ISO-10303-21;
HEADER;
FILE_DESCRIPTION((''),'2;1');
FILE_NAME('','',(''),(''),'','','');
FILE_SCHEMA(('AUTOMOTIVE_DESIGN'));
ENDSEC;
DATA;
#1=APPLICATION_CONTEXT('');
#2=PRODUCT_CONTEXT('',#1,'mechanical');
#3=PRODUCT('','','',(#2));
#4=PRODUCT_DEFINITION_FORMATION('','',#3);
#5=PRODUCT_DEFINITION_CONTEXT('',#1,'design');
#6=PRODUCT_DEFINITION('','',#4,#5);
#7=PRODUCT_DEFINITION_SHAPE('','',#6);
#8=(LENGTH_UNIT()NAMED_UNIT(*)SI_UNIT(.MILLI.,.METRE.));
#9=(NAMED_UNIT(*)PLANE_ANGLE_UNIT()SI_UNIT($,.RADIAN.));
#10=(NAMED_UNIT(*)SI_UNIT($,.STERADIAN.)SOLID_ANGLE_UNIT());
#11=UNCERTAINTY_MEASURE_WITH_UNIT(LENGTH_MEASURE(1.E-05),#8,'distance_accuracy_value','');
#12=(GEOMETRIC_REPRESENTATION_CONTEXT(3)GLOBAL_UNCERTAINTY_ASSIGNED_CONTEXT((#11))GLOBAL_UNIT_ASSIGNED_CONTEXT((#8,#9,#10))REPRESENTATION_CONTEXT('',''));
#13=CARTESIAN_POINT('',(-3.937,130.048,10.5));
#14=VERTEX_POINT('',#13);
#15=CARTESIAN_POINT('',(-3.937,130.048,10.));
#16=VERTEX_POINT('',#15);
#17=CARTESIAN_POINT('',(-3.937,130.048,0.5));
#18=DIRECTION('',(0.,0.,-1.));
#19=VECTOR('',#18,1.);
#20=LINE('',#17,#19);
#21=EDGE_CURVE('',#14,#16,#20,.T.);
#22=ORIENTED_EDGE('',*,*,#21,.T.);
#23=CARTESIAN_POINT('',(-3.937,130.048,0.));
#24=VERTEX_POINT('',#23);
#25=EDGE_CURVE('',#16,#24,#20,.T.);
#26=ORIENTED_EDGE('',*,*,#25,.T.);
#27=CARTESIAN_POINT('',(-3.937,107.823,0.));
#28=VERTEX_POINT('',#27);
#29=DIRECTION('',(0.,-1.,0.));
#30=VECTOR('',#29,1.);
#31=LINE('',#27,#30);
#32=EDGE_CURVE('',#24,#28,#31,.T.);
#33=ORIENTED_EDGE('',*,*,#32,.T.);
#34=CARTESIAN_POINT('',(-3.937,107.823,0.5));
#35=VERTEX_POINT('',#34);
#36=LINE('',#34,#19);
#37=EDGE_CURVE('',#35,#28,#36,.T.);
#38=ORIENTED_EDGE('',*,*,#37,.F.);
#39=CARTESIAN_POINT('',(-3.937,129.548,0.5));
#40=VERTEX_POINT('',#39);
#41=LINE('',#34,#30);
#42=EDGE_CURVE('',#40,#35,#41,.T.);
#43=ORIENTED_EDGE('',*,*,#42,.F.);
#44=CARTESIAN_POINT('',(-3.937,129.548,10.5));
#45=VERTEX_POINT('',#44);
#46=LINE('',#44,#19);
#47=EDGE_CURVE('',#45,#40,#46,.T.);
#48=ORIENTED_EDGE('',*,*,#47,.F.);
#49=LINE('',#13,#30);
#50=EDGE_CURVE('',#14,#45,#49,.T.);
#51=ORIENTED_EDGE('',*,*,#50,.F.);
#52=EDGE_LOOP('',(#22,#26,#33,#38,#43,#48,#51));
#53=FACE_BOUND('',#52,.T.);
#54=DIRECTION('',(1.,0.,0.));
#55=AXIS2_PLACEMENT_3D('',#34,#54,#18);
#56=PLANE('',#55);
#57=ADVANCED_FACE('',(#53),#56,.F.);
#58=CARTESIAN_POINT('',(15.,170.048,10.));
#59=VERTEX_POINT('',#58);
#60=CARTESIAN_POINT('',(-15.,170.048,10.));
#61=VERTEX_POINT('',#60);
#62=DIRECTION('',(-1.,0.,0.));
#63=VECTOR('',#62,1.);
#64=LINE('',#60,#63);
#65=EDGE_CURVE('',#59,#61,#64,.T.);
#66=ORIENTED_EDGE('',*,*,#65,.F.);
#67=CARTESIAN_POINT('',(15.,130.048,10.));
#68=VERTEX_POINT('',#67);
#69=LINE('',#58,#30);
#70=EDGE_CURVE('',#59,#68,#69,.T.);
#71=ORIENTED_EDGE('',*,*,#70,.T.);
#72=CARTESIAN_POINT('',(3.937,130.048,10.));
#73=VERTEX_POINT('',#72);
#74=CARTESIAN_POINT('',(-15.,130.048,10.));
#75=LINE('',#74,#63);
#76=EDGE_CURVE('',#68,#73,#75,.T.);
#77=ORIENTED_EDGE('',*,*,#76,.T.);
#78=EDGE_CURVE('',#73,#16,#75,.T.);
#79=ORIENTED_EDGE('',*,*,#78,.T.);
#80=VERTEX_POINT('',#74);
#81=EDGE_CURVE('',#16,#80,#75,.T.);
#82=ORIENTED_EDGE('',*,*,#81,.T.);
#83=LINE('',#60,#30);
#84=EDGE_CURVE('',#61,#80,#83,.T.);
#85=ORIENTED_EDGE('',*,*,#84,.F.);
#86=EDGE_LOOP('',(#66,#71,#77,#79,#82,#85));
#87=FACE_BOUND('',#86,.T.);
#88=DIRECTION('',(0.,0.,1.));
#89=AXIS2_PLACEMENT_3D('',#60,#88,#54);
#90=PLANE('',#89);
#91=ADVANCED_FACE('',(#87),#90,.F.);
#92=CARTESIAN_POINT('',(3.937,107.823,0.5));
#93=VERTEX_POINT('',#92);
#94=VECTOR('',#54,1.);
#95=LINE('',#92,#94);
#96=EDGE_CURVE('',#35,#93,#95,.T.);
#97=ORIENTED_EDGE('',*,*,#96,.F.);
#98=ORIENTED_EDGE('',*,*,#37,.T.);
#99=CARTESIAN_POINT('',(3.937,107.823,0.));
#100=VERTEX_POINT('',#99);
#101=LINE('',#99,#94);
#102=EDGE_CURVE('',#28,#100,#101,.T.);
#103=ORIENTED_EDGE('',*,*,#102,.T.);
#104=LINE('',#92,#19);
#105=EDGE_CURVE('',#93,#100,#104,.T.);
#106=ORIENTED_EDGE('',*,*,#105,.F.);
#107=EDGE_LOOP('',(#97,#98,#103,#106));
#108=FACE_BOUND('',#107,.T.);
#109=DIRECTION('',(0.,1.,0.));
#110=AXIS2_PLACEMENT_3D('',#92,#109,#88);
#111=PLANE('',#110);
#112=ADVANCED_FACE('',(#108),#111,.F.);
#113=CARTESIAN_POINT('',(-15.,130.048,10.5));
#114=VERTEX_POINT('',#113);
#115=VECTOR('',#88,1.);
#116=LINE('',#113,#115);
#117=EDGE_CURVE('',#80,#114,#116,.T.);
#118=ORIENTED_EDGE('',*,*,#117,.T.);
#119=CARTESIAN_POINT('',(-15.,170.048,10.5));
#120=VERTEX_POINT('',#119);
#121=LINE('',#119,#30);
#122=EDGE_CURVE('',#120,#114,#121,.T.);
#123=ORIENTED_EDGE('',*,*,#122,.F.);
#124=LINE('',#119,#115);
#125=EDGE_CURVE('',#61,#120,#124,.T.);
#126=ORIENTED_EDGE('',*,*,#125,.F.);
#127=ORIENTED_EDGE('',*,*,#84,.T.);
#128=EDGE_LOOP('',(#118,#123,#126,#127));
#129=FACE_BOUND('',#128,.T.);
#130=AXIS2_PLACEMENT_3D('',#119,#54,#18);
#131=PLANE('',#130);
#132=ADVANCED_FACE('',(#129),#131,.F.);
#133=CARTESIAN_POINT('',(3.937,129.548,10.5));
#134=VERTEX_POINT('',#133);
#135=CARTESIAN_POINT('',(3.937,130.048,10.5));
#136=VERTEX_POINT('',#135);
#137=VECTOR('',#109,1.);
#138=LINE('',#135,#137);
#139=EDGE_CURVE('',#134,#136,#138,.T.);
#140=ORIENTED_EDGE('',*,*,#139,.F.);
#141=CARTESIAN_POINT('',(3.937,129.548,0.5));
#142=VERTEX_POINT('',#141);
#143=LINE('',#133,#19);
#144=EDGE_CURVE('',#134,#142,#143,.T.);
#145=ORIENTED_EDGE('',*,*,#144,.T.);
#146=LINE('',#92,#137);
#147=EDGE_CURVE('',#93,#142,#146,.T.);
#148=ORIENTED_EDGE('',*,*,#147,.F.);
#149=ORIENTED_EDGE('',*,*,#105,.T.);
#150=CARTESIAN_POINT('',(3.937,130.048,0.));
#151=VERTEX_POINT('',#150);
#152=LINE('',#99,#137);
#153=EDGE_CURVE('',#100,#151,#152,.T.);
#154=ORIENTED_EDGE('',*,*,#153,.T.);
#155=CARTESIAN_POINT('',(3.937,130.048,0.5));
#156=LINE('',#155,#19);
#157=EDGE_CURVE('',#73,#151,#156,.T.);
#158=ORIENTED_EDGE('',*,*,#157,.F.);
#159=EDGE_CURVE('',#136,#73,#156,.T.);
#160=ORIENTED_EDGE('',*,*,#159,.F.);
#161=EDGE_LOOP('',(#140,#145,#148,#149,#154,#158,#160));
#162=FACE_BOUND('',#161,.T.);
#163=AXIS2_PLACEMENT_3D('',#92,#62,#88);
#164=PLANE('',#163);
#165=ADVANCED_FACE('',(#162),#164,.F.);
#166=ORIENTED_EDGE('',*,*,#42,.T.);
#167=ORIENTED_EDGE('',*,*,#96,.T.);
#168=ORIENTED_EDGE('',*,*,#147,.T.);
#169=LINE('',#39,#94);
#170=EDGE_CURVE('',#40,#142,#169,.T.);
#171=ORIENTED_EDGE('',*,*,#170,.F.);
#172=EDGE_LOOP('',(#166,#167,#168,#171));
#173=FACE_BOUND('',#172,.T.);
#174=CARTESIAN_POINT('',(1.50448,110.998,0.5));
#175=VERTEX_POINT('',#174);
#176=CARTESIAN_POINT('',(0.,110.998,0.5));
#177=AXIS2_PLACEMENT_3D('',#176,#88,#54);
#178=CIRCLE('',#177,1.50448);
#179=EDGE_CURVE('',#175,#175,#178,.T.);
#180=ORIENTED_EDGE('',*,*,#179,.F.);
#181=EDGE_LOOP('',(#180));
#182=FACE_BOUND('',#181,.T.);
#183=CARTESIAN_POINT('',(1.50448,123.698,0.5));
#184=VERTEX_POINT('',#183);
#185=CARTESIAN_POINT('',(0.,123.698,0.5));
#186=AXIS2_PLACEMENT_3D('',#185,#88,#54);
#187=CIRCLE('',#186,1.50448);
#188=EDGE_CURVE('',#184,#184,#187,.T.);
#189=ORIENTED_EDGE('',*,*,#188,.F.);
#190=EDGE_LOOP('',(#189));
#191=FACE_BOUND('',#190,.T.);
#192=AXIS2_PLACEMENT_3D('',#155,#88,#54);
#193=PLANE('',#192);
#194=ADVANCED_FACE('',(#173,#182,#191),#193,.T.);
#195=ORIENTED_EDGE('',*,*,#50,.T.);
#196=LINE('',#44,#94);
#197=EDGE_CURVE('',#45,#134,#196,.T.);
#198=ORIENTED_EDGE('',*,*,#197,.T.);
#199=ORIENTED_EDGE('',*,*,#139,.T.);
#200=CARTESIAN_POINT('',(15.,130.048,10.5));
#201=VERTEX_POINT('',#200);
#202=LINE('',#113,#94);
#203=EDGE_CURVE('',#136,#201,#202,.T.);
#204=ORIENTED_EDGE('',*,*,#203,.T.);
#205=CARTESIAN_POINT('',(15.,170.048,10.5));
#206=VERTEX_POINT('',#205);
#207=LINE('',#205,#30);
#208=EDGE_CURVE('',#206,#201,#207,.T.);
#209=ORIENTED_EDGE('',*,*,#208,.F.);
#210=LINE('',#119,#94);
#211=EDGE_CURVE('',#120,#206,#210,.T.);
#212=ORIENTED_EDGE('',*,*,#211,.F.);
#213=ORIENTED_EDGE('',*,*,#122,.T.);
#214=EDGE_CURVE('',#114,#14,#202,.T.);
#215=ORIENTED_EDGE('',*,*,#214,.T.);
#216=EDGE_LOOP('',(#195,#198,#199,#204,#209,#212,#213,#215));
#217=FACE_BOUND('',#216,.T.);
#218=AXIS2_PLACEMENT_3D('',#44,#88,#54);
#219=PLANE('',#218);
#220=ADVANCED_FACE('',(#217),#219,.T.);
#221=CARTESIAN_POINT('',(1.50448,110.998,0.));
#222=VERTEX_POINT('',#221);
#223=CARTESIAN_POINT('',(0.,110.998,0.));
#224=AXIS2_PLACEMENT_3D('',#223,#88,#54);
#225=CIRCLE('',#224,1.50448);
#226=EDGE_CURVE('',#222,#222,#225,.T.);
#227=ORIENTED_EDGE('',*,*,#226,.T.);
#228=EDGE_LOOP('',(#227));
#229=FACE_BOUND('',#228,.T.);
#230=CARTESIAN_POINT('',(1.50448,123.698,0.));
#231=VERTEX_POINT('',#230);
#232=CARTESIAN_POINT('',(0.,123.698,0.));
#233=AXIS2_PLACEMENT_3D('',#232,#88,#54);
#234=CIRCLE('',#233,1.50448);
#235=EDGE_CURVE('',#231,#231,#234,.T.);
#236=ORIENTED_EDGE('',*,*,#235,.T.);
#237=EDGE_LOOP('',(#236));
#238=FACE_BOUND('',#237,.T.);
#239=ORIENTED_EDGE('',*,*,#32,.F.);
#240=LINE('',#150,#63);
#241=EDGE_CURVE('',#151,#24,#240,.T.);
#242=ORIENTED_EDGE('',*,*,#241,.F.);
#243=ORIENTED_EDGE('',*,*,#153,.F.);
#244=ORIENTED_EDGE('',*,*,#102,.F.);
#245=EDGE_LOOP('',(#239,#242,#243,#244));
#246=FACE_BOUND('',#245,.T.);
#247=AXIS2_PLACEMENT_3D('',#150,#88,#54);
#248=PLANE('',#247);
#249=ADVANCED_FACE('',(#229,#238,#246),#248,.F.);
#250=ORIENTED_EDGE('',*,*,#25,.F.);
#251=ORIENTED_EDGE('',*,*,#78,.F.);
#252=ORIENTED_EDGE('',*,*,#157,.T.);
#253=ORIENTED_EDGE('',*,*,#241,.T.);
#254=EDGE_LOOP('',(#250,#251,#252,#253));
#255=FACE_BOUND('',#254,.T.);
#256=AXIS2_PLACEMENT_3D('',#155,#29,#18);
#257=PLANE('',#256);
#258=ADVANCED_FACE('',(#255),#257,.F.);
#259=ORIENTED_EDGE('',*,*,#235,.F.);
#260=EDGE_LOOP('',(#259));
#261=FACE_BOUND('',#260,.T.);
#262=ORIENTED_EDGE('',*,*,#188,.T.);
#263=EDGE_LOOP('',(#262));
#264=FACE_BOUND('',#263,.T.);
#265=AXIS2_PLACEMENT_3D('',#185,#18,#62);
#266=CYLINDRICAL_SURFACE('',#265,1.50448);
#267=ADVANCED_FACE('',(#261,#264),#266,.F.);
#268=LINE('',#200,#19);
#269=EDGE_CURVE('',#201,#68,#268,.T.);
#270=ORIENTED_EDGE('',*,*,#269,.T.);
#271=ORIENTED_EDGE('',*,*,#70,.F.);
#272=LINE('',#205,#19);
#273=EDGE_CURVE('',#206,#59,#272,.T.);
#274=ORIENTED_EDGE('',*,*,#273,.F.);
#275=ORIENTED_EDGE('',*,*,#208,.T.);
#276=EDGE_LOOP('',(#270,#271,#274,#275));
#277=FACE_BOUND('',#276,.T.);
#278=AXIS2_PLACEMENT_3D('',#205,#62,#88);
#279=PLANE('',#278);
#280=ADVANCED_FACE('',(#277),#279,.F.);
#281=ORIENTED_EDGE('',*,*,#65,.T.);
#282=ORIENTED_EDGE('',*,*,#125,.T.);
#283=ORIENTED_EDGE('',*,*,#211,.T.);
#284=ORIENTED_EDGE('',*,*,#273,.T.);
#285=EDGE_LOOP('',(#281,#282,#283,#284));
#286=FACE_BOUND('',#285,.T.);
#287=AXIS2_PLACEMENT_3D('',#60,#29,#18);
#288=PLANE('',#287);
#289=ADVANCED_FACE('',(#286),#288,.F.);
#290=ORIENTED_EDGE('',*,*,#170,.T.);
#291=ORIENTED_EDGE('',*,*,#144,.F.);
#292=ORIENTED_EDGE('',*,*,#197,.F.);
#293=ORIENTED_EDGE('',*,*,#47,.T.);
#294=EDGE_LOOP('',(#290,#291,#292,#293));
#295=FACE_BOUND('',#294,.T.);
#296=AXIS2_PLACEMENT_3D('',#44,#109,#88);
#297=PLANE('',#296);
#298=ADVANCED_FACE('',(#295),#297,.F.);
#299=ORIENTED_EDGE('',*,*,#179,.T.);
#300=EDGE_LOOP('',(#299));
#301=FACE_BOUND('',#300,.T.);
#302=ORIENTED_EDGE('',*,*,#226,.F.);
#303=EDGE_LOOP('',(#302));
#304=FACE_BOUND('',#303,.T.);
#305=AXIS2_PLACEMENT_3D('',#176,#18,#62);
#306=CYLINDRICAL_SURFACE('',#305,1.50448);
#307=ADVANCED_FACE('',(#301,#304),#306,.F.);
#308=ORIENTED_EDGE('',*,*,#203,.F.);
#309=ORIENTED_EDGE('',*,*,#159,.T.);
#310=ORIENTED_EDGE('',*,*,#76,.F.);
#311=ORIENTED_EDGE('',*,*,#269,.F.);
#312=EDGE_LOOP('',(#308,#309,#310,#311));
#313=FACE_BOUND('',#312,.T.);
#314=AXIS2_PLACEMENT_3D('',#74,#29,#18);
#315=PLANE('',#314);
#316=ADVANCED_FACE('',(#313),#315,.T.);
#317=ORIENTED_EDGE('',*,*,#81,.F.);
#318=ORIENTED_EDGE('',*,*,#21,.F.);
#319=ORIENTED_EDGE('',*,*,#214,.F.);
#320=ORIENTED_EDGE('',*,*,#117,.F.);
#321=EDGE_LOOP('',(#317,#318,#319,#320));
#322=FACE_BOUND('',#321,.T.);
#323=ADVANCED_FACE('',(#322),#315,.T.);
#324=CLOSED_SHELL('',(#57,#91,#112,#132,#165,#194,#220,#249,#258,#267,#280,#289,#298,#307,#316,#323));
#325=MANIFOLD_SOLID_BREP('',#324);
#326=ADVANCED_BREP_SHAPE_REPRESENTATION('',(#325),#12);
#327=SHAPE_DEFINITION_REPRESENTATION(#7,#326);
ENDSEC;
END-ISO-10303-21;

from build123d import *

# Parameters (mm, degrees)
SKETCH1_W           = 7.874
SKETCH1_H           = 22.225
SKETCH1_R           = 1.504480346
BOSS_EXTRUDE1_DEPTH = 0.5
SKETCH2_W           = 7.874
SKETCH2_H           = 0.5
BOSS_EXTRUDE2_DEPTH = 10
SKETCH3_W           = 30
SKETCH3_H           = 0.5
BOSS_EXTRUDE3_DEPTH = 40


with BuildPart() as part:
    # Sketch1 → Boss-Extrude1 (new body)
    with BuildSketch(Plane.XY):
        with Locations((0, 118.9355)):
            Rectangle(SKETCH1_W, SKETCH1_H)
        with Locations((0, 123.698)):
            Circle(SKETCH1_R, mode=Mode.SUBTRACT)
        with Locations((0, 110.998)):
            Circle(SKETCH1_R, mode=Mode.SUBTRACT)
    extrude(amount=BOSS_EXTRUDE1_DEPTH)

    # Sketch2 → Boss-Extrude2 (add)
    with BuildSketch(Plane.XY.offset(0.5)):
        with Locations((0, 129.798)):
            Rectangle(SKETCH2_W, SKETCH2_H)
    extrude(amount=BOSS_EXTRUDE2_DEPTH)

    # Sketch3 → Boss-Extrude3 (add)
    with BuildSketch(Plane(origin=(0, 130.048, 0), x_dir=(1, 0, 0), z_dir=(0, 1, 0))):
        with Locations((0, -10.25)):
            Rectangle(SKETCH3_W, SKETCH3_H)
    extrude(amount=BOSS_EXTRUDE3_DEPTH)


solid = part.part
